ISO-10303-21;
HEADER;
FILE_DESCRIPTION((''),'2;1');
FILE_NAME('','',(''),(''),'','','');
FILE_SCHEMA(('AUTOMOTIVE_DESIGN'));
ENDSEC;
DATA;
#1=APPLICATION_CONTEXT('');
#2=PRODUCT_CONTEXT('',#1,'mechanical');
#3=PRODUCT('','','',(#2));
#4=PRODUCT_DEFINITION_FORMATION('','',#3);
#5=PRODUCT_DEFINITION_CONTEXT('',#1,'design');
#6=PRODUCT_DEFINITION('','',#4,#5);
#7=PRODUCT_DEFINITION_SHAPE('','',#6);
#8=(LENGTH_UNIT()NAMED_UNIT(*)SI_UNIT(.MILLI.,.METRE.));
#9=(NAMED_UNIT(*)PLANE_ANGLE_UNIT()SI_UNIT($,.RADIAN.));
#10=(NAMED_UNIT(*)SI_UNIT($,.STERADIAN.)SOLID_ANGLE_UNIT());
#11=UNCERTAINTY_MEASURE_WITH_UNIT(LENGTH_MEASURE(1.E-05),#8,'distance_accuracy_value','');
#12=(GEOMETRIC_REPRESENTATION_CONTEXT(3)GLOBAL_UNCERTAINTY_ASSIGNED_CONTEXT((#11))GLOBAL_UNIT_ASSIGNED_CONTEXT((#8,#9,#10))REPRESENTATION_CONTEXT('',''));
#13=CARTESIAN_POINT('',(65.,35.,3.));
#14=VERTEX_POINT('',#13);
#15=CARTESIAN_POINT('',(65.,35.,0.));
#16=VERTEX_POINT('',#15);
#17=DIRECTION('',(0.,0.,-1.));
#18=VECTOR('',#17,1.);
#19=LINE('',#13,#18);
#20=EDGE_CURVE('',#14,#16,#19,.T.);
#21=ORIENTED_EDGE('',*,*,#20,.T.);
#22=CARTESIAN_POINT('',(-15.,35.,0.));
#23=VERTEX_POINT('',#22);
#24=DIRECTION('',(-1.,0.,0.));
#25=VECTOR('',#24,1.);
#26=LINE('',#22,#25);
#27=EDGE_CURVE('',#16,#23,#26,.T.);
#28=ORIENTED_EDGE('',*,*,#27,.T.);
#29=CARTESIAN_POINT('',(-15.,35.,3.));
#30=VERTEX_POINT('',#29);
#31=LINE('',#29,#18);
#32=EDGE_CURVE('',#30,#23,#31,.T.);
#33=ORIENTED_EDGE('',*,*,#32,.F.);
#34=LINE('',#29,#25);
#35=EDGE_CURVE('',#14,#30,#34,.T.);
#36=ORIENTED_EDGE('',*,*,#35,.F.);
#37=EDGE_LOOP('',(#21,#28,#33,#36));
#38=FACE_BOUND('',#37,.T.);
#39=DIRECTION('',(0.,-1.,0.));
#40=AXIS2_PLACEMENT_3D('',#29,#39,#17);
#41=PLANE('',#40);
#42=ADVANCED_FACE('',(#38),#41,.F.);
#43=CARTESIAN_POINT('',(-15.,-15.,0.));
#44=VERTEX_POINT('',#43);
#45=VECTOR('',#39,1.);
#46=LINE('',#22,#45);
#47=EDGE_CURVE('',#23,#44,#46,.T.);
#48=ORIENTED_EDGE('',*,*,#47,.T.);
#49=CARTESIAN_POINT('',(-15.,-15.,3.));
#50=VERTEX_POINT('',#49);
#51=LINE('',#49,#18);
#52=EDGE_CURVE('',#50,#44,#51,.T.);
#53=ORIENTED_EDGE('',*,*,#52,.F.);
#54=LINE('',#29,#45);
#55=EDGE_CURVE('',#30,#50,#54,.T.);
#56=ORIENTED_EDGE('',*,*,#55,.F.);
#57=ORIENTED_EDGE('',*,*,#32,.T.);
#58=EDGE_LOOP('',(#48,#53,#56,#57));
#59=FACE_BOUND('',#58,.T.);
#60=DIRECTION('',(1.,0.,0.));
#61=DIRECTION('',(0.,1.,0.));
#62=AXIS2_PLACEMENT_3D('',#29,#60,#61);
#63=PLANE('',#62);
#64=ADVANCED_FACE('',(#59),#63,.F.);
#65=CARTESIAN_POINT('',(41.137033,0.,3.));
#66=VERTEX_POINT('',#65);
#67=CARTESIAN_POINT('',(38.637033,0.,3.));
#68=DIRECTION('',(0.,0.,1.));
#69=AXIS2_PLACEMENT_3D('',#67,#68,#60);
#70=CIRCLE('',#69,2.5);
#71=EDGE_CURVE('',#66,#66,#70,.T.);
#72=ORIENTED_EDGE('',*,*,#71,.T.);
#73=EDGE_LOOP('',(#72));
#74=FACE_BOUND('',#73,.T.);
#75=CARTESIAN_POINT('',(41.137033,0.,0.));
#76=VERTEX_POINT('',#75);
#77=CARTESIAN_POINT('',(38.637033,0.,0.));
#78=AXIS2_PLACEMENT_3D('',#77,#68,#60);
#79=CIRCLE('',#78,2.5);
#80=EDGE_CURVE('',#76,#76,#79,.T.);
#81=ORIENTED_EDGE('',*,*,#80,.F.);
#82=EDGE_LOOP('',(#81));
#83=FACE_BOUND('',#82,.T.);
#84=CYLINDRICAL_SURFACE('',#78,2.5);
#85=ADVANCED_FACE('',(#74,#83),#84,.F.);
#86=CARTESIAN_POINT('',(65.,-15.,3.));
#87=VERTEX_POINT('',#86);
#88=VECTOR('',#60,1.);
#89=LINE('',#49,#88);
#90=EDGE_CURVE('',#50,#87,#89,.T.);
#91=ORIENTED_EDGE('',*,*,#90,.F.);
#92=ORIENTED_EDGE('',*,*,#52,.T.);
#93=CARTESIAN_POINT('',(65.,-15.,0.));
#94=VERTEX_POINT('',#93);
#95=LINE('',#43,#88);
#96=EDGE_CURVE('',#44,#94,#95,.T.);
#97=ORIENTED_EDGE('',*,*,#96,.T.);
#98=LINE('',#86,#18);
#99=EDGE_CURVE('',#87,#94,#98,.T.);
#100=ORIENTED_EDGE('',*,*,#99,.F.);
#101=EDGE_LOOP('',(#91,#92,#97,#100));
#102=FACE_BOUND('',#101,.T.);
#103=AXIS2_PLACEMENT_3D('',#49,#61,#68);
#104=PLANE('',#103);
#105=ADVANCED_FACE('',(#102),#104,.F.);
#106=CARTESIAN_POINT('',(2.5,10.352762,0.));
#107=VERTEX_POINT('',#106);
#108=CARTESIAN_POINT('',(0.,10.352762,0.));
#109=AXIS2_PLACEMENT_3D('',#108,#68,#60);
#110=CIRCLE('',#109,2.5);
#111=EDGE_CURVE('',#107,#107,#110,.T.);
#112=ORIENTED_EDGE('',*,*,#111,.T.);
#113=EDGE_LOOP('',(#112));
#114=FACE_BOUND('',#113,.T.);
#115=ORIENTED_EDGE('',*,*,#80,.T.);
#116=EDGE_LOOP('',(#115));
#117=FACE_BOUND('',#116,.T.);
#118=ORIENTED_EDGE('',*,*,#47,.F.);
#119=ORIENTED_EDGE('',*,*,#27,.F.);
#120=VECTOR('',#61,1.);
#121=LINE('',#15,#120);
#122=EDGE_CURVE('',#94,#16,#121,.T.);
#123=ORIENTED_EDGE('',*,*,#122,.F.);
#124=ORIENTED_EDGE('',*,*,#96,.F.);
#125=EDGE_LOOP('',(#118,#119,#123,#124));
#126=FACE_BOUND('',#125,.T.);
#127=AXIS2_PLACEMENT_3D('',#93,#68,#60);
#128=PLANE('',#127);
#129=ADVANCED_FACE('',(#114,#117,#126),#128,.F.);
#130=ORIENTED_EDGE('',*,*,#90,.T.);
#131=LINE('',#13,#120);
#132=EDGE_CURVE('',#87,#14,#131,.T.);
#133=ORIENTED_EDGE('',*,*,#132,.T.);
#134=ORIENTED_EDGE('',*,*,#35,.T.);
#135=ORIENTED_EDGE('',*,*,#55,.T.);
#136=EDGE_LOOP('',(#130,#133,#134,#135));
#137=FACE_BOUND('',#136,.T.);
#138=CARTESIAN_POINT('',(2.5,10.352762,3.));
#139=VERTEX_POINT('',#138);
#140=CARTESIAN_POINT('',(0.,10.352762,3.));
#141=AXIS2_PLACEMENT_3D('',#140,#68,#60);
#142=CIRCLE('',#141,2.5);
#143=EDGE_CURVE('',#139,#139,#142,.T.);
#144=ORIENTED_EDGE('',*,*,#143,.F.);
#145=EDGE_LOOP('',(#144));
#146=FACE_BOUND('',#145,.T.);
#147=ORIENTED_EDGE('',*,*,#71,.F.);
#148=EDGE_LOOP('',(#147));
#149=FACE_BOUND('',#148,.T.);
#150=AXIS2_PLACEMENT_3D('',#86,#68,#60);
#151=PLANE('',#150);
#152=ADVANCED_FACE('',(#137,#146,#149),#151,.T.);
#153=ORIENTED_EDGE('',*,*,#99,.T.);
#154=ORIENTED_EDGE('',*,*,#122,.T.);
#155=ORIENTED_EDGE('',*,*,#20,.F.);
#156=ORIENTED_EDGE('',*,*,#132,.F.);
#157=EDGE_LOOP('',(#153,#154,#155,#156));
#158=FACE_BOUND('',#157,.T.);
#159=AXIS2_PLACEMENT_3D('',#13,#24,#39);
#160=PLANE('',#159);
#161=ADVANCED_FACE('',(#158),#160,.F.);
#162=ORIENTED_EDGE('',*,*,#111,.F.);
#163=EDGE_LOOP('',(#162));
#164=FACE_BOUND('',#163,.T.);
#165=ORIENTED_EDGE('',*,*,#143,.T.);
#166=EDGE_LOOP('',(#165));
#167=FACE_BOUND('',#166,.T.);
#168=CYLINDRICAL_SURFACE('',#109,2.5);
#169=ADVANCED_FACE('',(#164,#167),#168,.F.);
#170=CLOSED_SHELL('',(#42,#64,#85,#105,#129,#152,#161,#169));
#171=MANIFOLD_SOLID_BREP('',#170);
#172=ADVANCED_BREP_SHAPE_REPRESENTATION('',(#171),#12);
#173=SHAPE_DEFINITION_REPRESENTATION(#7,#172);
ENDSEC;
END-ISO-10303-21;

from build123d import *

# Parameters (mm, degrees)
SKETCH_1_W          = 80
SKETCH_1_H          = 50
EXTRUDE_1_DEPTH     = 3
SKETCH_2_R          = 2.5
CUT_EXTRUDE_2_DEPTH = 74.885045848


with BuildPart() as part:
    # 草圖1 → 伸長1 (new body)
    with BuildSketch(Plane.XY):
        with Locations((25, 10)):
            Rectangle(SKETCH_1_W, SKETCH_1_H)
    extrude(amount=EXTRUDE_1_DEPTH)

    # 草圖2 → 伸長2 (cut, through all)
    with BuildSketch(Plane.XY.offset(3)):
        with Locations((0, 10.352761804)):
            Circle(SKETCH_2_R)
        with Locations((38.637033052, 0)):
            Circle(SKETCH_2_R)
    extrude(amount=-CUT_EXTRUDE_2_DEPTH, mode=Mode.SUBTRACT)


solid = part.part
